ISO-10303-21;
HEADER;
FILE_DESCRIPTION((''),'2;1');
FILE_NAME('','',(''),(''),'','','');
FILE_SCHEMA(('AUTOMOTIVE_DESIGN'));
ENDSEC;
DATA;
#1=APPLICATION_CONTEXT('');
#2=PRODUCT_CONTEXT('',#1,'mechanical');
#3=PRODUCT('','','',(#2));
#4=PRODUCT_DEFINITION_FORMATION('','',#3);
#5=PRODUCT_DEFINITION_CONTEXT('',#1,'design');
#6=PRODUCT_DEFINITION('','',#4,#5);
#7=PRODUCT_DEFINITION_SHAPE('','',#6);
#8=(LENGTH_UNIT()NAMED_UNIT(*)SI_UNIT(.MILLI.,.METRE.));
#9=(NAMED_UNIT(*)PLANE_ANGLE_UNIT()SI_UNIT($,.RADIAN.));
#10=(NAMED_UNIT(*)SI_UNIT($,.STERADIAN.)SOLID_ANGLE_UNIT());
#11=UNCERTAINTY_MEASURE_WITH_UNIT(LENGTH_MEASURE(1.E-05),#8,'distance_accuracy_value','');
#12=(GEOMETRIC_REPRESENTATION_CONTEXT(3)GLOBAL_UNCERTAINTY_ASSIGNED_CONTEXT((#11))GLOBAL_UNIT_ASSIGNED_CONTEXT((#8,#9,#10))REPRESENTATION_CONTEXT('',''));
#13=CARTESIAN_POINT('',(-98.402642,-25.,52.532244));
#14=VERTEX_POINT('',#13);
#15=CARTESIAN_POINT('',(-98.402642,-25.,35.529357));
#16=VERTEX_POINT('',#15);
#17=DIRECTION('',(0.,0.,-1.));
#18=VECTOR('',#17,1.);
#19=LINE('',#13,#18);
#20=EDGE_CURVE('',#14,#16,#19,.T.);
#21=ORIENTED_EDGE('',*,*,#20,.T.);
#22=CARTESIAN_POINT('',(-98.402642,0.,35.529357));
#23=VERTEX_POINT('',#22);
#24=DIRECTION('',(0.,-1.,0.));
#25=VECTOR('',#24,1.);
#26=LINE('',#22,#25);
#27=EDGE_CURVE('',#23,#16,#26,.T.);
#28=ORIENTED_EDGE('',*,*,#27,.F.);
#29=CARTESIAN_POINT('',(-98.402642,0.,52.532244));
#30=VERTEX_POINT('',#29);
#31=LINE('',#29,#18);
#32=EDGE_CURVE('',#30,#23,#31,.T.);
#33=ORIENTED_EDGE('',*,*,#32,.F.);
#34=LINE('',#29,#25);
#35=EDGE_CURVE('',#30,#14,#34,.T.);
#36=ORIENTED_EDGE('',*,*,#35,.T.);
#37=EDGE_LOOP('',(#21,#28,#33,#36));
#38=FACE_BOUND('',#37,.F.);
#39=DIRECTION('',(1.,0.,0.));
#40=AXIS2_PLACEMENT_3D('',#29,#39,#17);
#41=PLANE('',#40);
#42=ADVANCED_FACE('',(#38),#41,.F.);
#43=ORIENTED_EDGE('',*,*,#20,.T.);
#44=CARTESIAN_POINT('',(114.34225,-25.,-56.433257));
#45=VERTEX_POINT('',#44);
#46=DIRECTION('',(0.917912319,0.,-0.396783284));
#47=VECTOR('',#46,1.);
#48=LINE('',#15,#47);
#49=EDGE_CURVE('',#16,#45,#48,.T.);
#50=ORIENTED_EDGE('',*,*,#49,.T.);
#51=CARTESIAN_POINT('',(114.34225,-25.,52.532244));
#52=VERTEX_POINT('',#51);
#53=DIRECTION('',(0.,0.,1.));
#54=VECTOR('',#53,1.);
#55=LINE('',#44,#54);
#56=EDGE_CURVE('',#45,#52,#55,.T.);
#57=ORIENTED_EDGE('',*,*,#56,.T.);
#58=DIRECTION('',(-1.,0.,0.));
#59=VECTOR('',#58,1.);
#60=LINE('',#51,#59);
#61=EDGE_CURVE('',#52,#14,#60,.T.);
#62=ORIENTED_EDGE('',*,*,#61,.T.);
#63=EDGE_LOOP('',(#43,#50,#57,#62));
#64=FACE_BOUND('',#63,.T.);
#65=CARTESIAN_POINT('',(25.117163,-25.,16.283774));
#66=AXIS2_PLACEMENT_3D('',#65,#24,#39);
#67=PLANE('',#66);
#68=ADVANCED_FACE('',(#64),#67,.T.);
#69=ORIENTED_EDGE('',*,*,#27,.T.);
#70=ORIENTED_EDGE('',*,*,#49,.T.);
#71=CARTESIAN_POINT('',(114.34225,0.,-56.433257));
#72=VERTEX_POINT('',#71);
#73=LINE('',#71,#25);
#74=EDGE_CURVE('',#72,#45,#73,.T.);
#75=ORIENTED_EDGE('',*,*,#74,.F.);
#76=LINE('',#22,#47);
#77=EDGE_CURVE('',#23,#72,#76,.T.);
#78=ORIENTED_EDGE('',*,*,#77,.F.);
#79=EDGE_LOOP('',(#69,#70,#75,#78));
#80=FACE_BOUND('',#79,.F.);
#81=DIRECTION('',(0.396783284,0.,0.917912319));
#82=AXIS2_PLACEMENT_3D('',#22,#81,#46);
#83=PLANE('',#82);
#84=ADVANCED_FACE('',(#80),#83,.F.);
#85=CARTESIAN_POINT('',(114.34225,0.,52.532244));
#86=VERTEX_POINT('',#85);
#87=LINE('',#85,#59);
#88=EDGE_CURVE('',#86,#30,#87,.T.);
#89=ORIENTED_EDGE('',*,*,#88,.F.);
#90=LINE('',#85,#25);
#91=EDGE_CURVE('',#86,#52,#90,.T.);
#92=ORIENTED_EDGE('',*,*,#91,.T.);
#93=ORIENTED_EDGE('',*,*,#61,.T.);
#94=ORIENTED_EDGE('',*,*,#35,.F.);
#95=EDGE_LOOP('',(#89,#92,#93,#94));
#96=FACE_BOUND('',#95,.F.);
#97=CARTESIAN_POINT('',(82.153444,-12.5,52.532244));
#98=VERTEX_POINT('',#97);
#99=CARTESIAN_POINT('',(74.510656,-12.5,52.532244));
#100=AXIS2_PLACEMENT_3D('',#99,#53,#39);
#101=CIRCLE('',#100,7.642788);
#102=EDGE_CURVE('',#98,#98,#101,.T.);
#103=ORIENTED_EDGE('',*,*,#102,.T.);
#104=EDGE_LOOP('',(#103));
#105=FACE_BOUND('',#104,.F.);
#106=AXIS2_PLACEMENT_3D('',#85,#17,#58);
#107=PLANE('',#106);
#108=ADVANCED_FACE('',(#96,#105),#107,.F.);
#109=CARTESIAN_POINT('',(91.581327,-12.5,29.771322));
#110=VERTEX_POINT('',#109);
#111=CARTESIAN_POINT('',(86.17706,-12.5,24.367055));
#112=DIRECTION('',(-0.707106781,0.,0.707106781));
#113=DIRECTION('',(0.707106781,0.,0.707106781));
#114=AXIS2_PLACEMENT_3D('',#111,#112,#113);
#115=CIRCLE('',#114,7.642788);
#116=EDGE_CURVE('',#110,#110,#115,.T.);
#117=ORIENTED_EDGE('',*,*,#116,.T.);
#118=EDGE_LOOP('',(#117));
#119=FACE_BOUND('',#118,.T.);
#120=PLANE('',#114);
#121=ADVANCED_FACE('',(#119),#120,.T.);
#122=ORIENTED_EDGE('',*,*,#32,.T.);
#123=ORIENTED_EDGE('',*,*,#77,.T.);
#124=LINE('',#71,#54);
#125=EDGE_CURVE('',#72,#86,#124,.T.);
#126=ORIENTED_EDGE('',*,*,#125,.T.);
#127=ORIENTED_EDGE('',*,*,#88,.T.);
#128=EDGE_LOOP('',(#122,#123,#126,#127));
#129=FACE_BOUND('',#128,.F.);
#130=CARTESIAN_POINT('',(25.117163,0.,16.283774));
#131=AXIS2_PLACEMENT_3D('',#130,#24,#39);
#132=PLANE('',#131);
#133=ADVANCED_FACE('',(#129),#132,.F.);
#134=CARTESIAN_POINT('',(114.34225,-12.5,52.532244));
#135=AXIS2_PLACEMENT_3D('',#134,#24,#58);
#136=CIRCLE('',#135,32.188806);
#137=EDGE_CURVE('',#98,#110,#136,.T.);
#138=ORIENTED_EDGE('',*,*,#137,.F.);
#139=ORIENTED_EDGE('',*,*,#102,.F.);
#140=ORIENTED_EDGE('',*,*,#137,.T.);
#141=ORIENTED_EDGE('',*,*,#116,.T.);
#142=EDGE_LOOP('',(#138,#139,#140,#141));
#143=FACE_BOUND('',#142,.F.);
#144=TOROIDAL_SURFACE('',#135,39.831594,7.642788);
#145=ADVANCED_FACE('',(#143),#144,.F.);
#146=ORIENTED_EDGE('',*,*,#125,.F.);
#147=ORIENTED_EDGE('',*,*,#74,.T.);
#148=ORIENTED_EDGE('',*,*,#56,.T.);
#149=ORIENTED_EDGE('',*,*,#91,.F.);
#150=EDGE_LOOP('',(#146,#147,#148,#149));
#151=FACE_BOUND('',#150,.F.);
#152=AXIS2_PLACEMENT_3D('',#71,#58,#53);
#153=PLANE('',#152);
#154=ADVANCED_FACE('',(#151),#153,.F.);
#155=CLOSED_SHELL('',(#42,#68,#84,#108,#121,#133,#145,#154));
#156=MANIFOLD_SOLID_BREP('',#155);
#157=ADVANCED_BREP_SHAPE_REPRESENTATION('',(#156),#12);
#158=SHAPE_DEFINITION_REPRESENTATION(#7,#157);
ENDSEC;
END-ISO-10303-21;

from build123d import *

# Parameters (mm, degrees)
F1_DEPTH = 25
F2_R     = 7.6427877467
F3_ANGLE = 45


with BuildPart() as f1:
    # F0 (on Front) → F1 (new body)
    with BuildSketch(Plane.XZ):
        Polygon((114.3422499299, 52.5322444737), (-98.4026417136, 52.5322444737), (-98.4026417136, 35.5293569025), (114.3422499299, -56.4332574811), align=None)
    extrude(amount=F1_DEPTH)

    # F2 (on face) → F3 (revolve, cut)
    with BuildSketch(Plane.XY.offset(52.5322444737)):
        with Locations((74.5106562972, -12.5)):
            Circle(F2_R)
    revolve(axis=Axis((114.3422499299, -12.5, 52.5322444737), (0, -1, 0)), revolution_arc=F3_ANGLE, mode=Mode.SUBTRACT)


solid = f1.part
